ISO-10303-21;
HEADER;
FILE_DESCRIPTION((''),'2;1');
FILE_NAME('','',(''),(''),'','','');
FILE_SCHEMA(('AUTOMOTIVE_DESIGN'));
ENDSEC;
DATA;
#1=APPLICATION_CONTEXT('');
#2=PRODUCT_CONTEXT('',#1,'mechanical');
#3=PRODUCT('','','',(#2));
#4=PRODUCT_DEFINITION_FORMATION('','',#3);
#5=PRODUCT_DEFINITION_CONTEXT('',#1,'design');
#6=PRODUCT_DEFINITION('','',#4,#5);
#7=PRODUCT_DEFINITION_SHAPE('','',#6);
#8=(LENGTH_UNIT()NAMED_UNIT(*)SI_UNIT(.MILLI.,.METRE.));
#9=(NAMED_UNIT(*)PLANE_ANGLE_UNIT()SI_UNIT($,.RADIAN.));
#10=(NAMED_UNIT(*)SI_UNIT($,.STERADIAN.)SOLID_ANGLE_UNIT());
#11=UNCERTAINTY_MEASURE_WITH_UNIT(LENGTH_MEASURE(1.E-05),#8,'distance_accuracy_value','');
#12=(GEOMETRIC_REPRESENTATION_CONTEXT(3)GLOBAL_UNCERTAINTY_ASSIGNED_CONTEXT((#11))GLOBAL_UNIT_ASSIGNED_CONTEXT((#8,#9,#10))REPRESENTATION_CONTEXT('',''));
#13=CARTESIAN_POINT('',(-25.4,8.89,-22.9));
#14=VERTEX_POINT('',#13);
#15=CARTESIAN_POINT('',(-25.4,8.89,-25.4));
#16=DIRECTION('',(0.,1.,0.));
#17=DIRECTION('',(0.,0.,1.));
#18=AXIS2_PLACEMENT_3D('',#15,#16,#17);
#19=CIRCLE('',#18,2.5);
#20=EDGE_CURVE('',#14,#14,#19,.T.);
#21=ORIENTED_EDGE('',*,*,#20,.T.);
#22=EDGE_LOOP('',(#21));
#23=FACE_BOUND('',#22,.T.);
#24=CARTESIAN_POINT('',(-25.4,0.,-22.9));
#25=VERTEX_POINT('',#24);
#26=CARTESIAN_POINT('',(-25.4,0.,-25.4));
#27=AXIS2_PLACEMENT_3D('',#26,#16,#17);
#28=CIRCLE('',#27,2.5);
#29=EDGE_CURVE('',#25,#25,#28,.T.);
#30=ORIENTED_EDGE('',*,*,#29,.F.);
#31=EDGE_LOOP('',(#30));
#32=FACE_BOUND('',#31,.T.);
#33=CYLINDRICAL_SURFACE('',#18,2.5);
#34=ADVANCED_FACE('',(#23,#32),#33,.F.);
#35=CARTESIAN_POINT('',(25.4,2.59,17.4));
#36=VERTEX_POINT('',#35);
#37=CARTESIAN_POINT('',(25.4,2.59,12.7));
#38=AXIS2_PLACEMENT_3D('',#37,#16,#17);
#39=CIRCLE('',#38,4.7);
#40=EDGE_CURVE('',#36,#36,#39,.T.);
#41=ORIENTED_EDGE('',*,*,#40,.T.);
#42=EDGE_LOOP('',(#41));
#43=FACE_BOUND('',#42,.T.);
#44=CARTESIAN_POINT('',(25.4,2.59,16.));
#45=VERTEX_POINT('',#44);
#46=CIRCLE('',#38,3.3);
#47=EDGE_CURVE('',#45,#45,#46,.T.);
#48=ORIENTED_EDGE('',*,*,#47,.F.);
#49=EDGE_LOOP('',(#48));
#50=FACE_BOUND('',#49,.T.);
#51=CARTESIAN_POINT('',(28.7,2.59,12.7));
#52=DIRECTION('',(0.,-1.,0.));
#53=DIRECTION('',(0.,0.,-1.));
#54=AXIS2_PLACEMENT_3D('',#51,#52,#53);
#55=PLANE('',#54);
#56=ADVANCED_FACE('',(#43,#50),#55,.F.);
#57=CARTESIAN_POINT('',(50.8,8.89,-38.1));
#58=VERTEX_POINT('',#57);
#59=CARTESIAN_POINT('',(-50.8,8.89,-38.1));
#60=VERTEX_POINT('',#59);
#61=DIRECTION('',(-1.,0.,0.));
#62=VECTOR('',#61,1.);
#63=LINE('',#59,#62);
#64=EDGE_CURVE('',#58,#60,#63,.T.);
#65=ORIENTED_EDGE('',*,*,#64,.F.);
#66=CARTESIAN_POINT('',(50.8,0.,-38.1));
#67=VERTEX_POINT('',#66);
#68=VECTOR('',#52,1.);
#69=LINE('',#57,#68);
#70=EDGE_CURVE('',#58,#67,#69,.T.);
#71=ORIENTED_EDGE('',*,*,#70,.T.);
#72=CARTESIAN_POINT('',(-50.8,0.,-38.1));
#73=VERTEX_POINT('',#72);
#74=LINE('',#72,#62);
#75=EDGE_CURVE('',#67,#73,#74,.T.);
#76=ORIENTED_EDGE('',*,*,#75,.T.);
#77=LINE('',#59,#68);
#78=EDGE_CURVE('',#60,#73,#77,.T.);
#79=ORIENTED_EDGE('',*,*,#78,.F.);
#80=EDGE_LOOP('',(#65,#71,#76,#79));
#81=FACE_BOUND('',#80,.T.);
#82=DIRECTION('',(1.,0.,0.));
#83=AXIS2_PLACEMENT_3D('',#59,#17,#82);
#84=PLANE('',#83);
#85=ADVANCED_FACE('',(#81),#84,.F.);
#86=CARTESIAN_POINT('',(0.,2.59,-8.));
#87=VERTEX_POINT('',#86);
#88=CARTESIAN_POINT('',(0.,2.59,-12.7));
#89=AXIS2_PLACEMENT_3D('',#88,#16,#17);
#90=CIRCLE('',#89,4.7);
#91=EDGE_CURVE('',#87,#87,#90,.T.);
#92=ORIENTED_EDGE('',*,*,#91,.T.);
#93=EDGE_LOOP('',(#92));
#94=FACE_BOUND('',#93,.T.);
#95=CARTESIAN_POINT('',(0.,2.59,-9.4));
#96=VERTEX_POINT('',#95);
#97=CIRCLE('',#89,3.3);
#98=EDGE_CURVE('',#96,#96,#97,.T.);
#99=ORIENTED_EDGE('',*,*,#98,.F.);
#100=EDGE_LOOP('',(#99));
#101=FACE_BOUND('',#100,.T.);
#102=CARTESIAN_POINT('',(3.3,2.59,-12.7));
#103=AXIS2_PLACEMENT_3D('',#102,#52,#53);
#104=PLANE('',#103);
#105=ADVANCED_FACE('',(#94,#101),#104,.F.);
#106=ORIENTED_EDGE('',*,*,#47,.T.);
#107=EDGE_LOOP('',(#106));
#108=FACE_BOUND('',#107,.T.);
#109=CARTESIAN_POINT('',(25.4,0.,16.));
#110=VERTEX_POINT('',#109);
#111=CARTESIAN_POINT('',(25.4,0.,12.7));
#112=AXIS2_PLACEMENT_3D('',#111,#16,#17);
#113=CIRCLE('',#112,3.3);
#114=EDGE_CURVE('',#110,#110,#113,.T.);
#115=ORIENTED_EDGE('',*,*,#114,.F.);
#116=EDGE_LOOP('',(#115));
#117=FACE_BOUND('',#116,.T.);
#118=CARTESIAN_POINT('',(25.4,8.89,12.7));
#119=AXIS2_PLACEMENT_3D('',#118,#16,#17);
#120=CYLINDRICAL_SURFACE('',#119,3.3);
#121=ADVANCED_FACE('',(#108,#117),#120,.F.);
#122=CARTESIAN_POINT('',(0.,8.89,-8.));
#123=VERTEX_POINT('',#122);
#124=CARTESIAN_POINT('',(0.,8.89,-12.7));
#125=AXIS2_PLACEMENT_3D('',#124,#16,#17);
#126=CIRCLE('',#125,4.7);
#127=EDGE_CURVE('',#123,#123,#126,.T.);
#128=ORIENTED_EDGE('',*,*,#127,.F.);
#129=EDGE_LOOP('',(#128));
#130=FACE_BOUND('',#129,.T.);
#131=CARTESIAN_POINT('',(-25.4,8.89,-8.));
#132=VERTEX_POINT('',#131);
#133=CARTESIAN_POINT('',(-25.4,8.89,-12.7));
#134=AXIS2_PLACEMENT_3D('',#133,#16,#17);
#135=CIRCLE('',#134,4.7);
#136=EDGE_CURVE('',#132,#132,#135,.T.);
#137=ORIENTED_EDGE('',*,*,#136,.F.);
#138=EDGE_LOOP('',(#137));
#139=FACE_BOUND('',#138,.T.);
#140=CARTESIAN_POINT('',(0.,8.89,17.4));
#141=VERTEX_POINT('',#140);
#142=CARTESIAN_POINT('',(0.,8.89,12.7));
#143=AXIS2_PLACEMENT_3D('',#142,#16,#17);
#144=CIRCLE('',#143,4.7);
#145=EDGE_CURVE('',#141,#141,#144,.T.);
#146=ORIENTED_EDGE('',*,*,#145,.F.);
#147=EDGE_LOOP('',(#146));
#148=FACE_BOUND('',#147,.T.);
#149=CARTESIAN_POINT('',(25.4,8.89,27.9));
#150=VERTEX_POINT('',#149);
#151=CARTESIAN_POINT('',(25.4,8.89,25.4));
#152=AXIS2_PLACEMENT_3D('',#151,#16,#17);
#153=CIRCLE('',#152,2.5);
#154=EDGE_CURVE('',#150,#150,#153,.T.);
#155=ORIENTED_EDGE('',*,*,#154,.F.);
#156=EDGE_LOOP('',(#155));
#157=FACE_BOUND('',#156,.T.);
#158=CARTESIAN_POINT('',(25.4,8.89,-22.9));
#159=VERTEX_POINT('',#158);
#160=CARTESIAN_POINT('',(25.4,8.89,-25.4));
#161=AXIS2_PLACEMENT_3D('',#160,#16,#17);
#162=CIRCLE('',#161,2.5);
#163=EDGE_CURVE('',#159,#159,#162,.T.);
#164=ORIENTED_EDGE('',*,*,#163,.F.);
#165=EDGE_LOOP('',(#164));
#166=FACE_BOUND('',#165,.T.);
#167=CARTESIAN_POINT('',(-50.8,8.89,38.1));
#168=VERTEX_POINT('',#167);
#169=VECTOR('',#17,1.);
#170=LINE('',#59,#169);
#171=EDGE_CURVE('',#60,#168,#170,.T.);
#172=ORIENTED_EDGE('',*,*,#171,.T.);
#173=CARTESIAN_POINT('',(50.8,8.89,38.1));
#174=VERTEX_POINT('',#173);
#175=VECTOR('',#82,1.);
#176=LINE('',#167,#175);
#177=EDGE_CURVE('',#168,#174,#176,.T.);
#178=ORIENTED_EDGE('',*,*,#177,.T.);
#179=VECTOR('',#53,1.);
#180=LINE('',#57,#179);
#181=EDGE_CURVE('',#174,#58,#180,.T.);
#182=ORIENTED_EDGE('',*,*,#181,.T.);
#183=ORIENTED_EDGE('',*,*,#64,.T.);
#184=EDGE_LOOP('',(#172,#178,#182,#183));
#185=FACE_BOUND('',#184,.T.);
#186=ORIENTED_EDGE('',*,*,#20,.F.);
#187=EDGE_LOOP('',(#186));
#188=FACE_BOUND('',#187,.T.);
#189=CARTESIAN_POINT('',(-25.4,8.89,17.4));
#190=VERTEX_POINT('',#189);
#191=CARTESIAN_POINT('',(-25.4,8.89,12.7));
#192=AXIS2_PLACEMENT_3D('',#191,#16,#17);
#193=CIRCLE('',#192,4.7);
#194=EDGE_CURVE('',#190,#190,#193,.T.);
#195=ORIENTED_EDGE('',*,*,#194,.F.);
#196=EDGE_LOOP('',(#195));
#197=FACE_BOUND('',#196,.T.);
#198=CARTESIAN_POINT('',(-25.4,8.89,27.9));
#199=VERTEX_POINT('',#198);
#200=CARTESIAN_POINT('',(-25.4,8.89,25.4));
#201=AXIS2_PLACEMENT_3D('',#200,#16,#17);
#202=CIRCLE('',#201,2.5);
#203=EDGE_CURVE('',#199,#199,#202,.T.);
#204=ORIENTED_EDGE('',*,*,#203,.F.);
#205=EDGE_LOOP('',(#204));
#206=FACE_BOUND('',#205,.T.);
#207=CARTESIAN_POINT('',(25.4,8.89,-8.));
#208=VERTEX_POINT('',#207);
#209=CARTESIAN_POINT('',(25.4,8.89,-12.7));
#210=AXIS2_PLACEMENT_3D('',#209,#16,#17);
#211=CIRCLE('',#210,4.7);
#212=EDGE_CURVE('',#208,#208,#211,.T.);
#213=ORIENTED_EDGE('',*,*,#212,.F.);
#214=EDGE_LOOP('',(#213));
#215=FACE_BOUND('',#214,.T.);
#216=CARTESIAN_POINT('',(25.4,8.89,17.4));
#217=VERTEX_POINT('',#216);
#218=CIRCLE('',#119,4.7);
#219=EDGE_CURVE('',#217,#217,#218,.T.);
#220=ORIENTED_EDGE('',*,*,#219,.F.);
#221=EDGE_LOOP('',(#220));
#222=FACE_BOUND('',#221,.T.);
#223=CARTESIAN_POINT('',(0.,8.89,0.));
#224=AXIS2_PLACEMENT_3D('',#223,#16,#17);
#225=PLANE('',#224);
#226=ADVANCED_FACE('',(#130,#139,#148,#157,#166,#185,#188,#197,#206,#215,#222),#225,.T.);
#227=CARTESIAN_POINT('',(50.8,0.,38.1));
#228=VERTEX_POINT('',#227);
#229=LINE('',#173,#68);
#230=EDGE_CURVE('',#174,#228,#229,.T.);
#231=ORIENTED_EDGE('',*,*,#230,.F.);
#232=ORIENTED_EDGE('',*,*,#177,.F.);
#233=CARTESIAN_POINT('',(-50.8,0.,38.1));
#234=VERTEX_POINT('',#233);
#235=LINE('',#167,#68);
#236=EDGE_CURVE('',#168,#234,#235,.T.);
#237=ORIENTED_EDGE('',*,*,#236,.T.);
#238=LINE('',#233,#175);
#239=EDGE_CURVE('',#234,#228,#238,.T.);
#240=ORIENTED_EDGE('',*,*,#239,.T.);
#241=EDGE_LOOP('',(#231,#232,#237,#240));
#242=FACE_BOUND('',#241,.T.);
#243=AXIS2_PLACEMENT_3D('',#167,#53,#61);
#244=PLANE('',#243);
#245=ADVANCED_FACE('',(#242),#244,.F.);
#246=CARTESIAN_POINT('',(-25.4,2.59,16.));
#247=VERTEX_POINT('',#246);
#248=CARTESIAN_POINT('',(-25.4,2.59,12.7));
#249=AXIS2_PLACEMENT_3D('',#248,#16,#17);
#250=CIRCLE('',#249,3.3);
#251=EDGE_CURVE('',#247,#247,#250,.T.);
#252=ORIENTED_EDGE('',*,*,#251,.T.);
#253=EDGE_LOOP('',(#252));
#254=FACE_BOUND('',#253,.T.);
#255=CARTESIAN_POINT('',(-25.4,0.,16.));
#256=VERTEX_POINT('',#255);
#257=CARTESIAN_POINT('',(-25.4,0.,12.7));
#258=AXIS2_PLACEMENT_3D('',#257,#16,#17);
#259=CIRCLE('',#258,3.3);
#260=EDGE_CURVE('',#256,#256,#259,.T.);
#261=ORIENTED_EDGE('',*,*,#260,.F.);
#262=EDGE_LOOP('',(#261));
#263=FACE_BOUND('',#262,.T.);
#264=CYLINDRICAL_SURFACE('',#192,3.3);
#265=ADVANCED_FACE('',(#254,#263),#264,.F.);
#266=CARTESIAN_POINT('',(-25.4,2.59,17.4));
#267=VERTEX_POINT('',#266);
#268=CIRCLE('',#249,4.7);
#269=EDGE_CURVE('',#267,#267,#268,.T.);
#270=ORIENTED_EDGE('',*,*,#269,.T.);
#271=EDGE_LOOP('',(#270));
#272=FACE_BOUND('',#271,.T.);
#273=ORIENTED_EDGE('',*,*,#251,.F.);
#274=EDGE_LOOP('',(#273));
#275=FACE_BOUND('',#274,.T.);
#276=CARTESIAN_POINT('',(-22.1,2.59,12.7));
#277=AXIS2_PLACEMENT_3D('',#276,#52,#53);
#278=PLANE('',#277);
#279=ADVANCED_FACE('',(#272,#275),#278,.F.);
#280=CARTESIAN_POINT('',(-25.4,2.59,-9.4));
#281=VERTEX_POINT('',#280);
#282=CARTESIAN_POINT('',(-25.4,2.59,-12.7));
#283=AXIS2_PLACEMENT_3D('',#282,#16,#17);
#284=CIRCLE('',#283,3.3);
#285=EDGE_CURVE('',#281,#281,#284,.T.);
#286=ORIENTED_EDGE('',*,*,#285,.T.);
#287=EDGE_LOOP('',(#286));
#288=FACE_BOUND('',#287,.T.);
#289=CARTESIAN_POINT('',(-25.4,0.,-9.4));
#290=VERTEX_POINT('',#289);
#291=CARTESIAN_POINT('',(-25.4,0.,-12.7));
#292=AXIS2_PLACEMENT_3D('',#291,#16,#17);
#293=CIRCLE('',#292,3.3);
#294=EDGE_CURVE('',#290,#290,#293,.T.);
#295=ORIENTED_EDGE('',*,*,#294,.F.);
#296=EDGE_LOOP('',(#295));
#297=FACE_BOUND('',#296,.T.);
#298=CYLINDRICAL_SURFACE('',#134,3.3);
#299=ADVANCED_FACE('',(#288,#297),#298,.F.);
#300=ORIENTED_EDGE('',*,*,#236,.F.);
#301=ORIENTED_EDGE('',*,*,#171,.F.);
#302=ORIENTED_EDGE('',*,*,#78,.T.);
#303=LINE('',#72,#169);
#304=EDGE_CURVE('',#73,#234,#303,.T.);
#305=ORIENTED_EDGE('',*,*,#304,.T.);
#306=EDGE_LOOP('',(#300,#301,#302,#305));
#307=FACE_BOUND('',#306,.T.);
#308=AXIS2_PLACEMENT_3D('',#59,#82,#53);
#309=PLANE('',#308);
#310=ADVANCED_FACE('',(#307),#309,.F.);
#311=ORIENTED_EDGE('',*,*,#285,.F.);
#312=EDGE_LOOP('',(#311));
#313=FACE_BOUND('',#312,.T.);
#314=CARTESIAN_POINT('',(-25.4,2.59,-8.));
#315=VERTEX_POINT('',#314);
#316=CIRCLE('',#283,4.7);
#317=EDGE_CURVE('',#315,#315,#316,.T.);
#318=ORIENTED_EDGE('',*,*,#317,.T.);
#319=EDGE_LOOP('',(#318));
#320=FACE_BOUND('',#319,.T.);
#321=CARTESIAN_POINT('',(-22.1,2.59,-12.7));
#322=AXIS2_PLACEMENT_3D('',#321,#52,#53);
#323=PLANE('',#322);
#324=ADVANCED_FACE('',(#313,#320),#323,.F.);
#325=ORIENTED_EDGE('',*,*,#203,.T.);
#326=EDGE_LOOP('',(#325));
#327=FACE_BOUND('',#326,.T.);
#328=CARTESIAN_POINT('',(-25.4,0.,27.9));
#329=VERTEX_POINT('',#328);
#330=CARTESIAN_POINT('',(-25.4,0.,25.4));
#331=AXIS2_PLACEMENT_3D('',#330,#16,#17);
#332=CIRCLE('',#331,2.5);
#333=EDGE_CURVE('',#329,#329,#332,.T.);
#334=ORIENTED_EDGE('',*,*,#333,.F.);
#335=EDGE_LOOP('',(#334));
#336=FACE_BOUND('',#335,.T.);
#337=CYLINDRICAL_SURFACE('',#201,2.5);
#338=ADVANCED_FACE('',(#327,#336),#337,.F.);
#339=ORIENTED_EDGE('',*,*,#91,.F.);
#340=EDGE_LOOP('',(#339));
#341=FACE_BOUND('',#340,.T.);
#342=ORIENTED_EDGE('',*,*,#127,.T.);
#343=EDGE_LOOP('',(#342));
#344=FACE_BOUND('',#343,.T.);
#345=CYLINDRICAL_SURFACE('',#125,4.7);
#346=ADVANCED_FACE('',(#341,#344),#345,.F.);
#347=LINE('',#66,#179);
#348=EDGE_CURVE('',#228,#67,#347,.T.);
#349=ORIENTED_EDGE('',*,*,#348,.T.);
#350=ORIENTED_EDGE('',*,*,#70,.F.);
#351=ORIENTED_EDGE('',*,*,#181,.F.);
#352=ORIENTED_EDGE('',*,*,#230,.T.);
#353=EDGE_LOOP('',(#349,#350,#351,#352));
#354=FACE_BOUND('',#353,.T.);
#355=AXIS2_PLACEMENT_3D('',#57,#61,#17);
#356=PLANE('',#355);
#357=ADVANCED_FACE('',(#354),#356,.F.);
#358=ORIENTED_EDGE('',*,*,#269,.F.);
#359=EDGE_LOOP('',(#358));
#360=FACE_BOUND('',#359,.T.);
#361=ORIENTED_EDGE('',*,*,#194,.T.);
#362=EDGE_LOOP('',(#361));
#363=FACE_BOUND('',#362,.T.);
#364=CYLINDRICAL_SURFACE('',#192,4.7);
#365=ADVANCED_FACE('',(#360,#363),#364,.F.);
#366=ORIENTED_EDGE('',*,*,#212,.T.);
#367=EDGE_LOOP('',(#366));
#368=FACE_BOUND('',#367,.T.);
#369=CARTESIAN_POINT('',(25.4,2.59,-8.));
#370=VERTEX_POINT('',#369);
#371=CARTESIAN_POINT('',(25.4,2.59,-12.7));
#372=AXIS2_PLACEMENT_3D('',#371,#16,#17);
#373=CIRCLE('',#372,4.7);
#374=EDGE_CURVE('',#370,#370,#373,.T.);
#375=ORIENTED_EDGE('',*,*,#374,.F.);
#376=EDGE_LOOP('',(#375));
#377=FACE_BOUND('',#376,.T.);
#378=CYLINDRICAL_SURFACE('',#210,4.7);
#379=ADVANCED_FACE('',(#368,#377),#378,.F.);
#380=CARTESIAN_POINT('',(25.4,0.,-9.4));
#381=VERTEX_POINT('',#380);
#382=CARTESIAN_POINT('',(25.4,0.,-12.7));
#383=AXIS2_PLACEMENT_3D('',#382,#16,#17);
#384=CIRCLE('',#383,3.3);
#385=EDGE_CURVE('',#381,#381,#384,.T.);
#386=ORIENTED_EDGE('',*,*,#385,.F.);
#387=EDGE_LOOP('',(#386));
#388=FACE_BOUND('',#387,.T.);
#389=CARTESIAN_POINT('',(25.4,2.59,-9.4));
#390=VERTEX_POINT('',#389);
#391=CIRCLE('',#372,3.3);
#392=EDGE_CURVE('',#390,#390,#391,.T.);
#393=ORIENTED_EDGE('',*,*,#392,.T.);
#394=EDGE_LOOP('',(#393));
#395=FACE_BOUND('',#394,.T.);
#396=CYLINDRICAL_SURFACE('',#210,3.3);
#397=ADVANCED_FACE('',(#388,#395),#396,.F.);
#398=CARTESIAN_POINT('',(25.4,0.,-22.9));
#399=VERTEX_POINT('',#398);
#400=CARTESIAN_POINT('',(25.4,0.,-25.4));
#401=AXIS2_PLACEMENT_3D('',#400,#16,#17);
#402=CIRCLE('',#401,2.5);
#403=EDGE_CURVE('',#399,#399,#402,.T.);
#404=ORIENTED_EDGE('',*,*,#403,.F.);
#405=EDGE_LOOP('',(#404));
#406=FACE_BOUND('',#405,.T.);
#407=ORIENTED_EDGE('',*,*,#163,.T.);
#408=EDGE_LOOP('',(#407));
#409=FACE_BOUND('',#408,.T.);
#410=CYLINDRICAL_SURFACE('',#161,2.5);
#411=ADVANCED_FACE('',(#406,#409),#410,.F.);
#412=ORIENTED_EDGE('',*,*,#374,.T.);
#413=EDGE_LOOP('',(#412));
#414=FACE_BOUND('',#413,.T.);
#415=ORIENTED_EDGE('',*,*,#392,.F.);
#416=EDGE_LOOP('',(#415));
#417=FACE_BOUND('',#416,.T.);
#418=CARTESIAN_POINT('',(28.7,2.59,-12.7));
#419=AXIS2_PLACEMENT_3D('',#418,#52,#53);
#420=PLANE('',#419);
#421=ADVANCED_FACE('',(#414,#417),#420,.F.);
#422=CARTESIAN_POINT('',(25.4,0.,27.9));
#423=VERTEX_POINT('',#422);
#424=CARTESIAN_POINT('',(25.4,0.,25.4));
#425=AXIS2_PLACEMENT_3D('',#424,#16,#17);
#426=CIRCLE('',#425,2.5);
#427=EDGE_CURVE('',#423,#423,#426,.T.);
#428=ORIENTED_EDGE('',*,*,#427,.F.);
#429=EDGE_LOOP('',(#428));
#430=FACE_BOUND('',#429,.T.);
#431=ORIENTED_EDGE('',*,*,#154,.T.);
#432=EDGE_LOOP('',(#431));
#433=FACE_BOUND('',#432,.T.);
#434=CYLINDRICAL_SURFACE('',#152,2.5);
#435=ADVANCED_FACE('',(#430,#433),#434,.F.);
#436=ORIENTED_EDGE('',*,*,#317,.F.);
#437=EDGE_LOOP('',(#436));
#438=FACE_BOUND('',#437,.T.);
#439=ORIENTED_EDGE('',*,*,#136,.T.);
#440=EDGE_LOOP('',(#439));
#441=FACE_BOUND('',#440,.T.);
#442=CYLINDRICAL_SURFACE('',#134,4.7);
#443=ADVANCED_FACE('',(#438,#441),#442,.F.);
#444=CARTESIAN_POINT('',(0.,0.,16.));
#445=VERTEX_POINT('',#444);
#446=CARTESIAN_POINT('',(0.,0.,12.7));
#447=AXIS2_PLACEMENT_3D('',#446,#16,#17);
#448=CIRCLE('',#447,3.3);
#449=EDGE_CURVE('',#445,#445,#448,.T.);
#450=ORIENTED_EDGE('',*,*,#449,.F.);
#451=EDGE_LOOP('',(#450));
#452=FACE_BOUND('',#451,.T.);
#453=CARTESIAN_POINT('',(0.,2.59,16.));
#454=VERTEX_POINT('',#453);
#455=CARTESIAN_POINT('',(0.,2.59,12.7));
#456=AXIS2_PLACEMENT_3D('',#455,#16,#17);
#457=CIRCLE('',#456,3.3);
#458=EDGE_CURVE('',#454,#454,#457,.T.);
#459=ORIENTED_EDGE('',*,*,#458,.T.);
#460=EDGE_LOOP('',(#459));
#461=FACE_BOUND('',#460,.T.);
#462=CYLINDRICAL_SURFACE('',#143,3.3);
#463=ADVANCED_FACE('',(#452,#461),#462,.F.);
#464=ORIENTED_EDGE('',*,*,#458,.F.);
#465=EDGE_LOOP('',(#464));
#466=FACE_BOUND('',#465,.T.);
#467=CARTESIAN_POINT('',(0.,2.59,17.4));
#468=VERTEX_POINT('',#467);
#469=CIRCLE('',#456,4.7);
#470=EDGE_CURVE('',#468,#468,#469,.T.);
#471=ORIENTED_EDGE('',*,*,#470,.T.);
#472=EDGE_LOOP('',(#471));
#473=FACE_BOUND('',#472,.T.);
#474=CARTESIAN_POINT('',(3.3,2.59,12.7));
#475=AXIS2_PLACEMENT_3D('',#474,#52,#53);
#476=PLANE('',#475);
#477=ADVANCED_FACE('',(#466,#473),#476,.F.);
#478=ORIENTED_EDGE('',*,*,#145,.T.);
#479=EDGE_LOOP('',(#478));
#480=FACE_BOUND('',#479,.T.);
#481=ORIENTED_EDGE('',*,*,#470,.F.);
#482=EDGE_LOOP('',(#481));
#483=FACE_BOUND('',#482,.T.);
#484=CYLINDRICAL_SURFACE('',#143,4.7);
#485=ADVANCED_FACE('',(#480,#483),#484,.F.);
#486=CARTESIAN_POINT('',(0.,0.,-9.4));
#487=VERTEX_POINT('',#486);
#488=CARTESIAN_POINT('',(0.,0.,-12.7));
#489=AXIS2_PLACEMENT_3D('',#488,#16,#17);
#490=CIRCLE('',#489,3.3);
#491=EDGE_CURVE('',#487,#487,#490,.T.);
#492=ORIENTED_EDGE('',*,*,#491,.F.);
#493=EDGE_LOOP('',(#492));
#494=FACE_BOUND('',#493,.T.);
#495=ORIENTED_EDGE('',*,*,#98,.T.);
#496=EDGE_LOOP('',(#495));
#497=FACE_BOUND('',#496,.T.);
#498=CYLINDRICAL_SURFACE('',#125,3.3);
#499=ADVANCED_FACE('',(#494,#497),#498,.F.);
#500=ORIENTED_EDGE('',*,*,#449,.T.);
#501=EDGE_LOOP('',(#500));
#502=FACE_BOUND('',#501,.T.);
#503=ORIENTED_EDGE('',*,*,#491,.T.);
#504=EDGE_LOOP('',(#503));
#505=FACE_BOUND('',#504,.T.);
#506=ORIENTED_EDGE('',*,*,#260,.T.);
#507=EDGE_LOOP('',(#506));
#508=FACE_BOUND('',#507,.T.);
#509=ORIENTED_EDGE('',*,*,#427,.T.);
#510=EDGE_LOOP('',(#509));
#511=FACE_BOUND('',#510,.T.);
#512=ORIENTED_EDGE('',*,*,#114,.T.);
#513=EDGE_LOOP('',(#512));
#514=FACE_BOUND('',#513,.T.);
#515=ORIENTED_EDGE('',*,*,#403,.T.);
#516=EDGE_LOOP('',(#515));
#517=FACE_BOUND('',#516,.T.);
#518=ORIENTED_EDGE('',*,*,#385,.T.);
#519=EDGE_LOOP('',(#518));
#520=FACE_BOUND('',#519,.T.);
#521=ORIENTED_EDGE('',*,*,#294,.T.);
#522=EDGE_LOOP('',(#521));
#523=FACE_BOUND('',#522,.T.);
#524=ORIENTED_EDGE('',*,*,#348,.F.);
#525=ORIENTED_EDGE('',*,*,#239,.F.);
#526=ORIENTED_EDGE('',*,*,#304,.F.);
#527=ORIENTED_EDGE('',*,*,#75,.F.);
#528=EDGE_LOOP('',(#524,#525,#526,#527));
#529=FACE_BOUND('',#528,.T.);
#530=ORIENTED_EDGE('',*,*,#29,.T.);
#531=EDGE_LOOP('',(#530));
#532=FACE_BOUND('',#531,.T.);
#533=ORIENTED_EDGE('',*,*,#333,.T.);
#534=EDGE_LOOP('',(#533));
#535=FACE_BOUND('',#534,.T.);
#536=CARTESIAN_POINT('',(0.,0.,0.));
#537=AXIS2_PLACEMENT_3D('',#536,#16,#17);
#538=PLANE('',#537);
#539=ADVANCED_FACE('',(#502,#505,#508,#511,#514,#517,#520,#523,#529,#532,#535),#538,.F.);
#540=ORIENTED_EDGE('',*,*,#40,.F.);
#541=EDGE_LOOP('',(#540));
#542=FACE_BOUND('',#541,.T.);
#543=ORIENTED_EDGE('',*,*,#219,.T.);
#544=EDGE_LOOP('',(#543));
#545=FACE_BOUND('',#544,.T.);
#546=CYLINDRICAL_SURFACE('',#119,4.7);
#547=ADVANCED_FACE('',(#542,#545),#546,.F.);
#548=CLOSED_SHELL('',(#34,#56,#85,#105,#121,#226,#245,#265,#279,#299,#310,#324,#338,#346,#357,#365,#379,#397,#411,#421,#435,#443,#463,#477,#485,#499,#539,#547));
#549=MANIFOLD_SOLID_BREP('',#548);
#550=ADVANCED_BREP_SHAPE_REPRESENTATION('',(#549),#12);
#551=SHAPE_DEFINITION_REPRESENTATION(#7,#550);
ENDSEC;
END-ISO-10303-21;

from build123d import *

# Parameters (mm, degrees)
SKETCH1_W                      = 101.6
SKETCH1_H                      = 76.2
BOSS_EXTRUDE1_DEPTH            = 8.89
TAP_DRILL_FOR_M6X1_0_TAP1_D    = 5
CBORE_FOR_M6_SHCS1_D           = 6.6
CBORE_FOR_M6_SHCS1_CBORE_D     = 9.4
CBORE_FOR_M6_SHCS1_CBORE_DEPTH = 6.3


with BuildPart() as part:
    # Sketch1 → Boss-Extrude1 (new body)
    with BuildSketch(Plane(origin=(0, 0, 0), x_dir=(1, 0, 0), z_dir=(0, 1, 0))):
        Rectangle(SKETCH1_W, SKETCH1_H)
    extrude(amount=BOSS_EXTRUDE1_DEPTH)

    # Tap Drill for M6x1.0 Tap1 (through all)
    with Locations(Plane(origin=(0, 8.89, 0), x_dir=(1, 0, 0), z_dir=(0, 1, 0))):
        with Locations((-25.4, 25.4), (25.4, 25.4), (25.4, -25.4), (-25.4, -25.4)):
            Hole(TAP_DRILL_FOR_M6X1_0_TAP1_D / 2)

    # CBORE for M6 SHCS1 (through all)
    with Locations(Plane(origin=(0, 8.89, 0), x_dir=(1, 0, 0), z_dir=(0, 1, 0))):
        with Locations((-25.4, 12.7), (-25.4, -12.7), (0, -12.7), (0, 12.7), (25.4, 12.7), (25.4, -12.7)):
            CounterBoreHole(CBORE_FOR_M6_SHCS1_D / 2, CBORE_FOR_M6_SHCS1_CBORE_D / 2, CBORE_FOR_M6_SHCS1_CBORE_DEPTH)


solid = part.part
